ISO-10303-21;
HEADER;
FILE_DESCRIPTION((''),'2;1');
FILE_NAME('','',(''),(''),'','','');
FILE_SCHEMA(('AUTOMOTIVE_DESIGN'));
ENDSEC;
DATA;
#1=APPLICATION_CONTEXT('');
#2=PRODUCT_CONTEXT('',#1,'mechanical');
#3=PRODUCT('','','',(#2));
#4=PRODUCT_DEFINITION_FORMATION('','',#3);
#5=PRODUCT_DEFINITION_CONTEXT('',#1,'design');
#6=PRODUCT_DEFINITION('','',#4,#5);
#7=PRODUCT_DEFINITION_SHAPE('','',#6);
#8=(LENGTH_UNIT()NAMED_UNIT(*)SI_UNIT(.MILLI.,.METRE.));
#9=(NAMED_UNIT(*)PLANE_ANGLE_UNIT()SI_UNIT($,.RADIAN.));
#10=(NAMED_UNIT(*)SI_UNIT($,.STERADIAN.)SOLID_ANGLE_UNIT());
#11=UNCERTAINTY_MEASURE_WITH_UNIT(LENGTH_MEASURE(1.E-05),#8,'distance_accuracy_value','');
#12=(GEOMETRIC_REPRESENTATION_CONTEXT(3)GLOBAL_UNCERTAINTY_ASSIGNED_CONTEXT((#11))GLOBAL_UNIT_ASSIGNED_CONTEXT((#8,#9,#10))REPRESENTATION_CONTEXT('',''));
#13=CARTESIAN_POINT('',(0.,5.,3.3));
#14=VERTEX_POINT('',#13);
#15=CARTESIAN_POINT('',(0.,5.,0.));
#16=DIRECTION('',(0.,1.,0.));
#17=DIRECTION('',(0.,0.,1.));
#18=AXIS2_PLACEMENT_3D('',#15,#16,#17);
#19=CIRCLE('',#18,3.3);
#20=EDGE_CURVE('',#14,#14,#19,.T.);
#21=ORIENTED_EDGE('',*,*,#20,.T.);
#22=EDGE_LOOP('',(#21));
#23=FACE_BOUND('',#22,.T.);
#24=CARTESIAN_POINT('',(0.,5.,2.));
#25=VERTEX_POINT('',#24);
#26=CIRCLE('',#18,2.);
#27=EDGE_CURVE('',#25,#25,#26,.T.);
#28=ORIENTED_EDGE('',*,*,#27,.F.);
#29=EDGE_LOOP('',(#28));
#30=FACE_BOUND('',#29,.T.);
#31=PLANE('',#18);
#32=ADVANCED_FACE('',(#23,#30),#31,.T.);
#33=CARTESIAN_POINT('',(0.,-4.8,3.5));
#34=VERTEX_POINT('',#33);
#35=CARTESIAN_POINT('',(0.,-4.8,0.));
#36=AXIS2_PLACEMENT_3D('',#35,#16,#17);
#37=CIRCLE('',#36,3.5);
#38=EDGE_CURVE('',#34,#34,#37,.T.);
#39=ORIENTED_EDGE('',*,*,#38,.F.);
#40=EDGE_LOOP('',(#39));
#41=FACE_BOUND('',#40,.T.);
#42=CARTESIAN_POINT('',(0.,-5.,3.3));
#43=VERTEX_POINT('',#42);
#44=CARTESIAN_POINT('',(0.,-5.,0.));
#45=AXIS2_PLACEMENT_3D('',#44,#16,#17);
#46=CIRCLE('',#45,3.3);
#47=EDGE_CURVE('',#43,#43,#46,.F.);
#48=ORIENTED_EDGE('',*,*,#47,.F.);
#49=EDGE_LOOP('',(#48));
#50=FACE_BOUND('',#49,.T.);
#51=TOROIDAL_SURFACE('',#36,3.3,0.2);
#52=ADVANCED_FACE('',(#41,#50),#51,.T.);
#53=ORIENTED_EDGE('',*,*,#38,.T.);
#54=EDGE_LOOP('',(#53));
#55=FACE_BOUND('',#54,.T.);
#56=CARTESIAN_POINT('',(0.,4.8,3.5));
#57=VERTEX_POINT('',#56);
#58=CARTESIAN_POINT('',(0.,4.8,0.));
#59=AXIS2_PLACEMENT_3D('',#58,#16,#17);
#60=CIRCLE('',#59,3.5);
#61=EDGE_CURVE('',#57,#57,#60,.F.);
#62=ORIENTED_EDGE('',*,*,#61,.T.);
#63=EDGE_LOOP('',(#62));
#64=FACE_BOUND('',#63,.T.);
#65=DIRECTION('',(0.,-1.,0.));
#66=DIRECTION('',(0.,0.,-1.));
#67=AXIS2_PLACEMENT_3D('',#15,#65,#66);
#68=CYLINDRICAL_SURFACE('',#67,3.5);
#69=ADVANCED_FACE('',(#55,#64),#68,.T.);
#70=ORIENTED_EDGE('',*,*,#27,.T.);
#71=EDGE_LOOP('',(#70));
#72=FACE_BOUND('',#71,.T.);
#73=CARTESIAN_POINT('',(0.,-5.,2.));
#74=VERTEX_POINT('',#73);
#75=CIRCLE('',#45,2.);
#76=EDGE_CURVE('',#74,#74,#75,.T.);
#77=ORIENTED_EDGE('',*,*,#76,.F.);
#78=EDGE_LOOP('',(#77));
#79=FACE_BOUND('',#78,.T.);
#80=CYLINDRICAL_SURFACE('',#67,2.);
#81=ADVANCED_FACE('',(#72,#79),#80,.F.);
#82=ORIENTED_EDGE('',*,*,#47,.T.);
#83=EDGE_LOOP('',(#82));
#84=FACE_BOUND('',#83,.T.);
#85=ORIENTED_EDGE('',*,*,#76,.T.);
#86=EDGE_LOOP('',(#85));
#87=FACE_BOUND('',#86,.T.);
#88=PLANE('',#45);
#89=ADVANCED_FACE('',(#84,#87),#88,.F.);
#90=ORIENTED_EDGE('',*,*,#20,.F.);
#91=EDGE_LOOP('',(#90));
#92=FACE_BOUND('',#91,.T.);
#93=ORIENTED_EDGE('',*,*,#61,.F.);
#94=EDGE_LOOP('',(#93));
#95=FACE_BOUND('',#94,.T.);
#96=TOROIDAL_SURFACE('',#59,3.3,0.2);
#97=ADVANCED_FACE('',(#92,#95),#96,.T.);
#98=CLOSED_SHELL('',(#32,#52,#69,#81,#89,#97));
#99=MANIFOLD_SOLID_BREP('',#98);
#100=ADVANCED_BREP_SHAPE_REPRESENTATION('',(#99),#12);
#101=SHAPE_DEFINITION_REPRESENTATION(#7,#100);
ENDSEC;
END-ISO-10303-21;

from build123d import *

# Parameters (mm, degrees)
SKETCH_1_R      = 3.5
SKETCH_1_R_2    = 2
EXTRUDE_1_DEPTH = 5
FILLET_1_R      = 0.2


with BuildPart() as part:
    # 草图1 → 凸台-拉伸1 (new, symmetric)
    with BuildSketch(Plane(origin=(0, 0, 0), x_dir=(1, 0, 0), z_dir=(0, 1, 0))):
        with Locations(Location((0, 0, 0), (0, 0, 270))):
            Circle(SKETCH_1_R)
        with Locations(Location((0, 0, 0), (0, 0, 270))):
            Circle(SKETCH_1_R_2, mode=Mode.SUBTRACT)
    extrude(amount=EXTRUDE_1_DEPTH, both=True)

    # 圆角1
    fillet_1_edges = [part.edges().sort_by_distance(p)[0] for p in [
        (0, -5, -3.5),
        (0, 5, -3.5),
    ]]
    fillet(fillet_1_edges, radius=FILLET_1_R)


solid = part.part
